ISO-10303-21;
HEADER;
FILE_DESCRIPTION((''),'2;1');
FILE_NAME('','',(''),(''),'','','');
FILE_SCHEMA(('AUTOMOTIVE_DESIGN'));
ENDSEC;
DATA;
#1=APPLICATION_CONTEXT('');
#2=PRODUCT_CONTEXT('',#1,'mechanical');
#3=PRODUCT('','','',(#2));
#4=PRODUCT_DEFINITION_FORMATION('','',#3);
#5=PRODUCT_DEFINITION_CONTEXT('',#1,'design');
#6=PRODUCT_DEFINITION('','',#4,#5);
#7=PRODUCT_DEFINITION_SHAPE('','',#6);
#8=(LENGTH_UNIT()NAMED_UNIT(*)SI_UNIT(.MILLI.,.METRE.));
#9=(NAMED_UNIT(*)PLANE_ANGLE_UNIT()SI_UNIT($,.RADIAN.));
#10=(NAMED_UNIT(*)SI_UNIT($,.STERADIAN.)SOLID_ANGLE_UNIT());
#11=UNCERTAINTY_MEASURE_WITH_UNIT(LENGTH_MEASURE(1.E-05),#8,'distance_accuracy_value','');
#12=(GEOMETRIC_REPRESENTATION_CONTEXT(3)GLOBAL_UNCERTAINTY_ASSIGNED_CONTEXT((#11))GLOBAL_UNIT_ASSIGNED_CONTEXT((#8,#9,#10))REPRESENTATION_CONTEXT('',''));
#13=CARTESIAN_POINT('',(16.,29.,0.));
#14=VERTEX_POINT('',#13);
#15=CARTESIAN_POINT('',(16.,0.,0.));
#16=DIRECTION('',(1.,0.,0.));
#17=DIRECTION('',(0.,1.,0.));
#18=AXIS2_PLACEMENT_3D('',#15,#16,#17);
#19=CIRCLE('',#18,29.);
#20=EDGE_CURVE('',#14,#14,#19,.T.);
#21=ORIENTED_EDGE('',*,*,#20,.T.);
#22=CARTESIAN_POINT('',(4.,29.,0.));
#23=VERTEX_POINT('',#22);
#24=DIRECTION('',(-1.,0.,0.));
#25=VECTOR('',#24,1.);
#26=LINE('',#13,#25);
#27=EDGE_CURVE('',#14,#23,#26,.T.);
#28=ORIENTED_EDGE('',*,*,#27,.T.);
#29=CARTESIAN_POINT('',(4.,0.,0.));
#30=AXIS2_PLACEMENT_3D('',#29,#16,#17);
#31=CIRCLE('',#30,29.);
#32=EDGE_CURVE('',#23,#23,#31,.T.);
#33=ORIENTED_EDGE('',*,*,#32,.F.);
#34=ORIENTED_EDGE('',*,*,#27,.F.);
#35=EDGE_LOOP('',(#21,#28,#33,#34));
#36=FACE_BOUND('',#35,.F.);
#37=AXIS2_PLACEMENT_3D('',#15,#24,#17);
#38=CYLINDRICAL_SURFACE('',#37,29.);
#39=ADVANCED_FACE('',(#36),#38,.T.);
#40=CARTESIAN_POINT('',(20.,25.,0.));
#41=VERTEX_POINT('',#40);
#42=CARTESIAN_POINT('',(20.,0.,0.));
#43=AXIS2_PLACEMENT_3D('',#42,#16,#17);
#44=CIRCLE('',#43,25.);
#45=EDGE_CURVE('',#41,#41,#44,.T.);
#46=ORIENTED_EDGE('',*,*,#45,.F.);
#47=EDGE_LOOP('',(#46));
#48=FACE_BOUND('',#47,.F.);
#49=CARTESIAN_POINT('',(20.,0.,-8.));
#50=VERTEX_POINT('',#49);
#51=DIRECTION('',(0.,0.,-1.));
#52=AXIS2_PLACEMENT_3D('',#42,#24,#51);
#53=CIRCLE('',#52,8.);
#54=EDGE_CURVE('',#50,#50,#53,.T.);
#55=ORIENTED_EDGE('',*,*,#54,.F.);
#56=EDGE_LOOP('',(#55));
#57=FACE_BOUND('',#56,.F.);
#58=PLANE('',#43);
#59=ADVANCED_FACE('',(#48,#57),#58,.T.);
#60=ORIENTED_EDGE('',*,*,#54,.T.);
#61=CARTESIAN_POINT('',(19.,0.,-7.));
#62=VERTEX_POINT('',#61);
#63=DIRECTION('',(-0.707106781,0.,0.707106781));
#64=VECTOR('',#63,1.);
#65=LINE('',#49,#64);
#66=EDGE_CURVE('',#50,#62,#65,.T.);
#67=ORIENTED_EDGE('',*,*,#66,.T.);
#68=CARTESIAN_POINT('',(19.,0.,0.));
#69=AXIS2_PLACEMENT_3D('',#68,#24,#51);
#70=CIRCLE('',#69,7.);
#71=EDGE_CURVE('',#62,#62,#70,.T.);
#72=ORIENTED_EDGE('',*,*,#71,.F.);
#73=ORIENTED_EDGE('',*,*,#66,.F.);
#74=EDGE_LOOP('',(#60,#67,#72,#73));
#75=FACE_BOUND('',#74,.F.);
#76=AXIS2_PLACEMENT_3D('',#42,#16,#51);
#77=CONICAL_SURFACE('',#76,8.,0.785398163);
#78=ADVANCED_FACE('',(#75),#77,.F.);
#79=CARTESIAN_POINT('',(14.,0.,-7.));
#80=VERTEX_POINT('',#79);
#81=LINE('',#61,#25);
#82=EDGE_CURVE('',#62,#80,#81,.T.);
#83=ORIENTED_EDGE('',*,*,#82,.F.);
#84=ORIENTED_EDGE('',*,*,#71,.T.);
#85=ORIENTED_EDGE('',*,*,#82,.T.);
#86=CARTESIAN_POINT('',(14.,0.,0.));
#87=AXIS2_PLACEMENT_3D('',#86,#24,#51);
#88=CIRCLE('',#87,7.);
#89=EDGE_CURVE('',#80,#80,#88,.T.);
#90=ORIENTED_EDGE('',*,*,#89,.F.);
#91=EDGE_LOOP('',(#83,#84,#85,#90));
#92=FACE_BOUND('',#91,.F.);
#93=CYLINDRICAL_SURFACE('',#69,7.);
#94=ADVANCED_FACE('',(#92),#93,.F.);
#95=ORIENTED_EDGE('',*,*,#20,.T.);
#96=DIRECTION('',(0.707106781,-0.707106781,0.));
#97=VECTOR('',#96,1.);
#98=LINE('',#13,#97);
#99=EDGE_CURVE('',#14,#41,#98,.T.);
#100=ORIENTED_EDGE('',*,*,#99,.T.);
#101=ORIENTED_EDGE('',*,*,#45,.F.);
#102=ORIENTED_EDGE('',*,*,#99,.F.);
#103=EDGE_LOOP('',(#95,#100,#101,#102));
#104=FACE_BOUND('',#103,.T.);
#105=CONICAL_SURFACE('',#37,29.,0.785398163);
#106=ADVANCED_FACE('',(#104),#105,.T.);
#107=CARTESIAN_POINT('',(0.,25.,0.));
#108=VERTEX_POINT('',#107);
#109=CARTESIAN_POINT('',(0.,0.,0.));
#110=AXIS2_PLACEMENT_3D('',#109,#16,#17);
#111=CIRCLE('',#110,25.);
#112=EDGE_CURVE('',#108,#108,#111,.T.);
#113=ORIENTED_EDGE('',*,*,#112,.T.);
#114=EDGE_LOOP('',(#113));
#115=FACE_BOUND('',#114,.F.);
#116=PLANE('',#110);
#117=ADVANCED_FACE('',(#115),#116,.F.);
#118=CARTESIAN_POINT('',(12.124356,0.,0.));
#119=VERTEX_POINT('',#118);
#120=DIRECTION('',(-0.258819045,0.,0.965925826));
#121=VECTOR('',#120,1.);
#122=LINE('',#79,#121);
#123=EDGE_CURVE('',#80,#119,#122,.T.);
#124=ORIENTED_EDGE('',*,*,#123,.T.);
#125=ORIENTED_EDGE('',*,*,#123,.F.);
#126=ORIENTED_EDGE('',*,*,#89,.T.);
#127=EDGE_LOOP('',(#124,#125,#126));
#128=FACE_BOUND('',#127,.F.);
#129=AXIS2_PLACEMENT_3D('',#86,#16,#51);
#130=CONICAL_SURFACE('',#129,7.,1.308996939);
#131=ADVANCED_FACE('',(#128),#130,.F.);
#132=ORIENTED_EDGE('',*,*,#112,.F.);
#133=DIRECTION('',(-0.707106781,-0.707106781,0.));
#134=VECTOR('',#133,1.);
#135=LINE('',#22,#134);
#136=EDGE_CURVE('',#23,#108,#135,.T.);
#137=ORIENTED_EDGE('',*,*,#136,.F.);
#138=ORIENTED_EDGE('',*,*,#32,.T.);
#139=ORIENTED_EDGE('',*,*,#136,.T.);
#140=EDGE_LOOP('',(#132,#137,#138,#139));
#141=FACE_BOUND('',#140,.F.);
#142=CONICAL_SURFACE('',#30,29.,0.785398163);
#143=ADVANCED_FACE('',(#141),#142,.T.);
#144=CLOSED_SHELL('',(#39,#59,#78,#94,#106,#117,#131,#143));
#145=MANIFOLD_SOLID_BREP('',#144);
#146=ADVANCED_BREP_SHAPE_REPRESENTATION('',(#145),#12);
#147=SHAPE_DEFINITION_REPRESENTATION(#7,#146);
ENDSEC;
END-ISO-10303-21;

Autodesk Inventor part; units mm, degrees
ref_plane "YZ Plane" through (0, 0, 0) normal (1, 0, 0) x (0, 1, 0)
ref_plane "XZ Plane" through (0, 0, 0) normal (0, 1, 0) x (-1, 0, 0)
ref_plane "XY Plane" through (0, 0, 0) normal (0, 0, 1) x (1, 0, 0)
sketch "Эскиз3" plane through (0, 0, 0) normal (0, 0, 1) x (1, 0, 0)
  line L0 (0, 0) -> (20, 0)
  line L1 (20, 0) -> (20, 25)
  line L2 (16, 29) -> (4, 29)
  line L3 (0, 25) -> (0, 0)
  line L4 (4, 29) -> (0, 25)
  line L5 (16, 29) -> (20, 25)
  point P0 (20, 29)
  point P1 (0, 29)
  dimension "d18" = 20
  dimension "d19" = 29
  dimension "d20" = 4
  dimension "d21" = 4
  dimension "d22" = 4
  dimension "d23" = 4
revolve "Вращение2" add sketch "Эскиз3" angle 360 about axis through (0, 0, 0) along (1, 0, 0)
sketch "Эскиз4" plane through (20, 0, 0) normal (1, 0, 0) x (0, 0, -1)
  point P0 (0, 0)
  point P1 (0, 0)
hole "Отверстие2" at (20, 0, 0) direction (-1, 0, 0) diameter 14 depth 6 tip angle 150 countersink diameter 16 countersink angle 90
thread "Резьба3" size "M14x2" class "6H" standard "ANSI Metric M Profile" full length
equation "\"d21\" = d20"
equation "\"d22\" = d20"
equation "\"d23\" = d22"
properties part number "711131"
